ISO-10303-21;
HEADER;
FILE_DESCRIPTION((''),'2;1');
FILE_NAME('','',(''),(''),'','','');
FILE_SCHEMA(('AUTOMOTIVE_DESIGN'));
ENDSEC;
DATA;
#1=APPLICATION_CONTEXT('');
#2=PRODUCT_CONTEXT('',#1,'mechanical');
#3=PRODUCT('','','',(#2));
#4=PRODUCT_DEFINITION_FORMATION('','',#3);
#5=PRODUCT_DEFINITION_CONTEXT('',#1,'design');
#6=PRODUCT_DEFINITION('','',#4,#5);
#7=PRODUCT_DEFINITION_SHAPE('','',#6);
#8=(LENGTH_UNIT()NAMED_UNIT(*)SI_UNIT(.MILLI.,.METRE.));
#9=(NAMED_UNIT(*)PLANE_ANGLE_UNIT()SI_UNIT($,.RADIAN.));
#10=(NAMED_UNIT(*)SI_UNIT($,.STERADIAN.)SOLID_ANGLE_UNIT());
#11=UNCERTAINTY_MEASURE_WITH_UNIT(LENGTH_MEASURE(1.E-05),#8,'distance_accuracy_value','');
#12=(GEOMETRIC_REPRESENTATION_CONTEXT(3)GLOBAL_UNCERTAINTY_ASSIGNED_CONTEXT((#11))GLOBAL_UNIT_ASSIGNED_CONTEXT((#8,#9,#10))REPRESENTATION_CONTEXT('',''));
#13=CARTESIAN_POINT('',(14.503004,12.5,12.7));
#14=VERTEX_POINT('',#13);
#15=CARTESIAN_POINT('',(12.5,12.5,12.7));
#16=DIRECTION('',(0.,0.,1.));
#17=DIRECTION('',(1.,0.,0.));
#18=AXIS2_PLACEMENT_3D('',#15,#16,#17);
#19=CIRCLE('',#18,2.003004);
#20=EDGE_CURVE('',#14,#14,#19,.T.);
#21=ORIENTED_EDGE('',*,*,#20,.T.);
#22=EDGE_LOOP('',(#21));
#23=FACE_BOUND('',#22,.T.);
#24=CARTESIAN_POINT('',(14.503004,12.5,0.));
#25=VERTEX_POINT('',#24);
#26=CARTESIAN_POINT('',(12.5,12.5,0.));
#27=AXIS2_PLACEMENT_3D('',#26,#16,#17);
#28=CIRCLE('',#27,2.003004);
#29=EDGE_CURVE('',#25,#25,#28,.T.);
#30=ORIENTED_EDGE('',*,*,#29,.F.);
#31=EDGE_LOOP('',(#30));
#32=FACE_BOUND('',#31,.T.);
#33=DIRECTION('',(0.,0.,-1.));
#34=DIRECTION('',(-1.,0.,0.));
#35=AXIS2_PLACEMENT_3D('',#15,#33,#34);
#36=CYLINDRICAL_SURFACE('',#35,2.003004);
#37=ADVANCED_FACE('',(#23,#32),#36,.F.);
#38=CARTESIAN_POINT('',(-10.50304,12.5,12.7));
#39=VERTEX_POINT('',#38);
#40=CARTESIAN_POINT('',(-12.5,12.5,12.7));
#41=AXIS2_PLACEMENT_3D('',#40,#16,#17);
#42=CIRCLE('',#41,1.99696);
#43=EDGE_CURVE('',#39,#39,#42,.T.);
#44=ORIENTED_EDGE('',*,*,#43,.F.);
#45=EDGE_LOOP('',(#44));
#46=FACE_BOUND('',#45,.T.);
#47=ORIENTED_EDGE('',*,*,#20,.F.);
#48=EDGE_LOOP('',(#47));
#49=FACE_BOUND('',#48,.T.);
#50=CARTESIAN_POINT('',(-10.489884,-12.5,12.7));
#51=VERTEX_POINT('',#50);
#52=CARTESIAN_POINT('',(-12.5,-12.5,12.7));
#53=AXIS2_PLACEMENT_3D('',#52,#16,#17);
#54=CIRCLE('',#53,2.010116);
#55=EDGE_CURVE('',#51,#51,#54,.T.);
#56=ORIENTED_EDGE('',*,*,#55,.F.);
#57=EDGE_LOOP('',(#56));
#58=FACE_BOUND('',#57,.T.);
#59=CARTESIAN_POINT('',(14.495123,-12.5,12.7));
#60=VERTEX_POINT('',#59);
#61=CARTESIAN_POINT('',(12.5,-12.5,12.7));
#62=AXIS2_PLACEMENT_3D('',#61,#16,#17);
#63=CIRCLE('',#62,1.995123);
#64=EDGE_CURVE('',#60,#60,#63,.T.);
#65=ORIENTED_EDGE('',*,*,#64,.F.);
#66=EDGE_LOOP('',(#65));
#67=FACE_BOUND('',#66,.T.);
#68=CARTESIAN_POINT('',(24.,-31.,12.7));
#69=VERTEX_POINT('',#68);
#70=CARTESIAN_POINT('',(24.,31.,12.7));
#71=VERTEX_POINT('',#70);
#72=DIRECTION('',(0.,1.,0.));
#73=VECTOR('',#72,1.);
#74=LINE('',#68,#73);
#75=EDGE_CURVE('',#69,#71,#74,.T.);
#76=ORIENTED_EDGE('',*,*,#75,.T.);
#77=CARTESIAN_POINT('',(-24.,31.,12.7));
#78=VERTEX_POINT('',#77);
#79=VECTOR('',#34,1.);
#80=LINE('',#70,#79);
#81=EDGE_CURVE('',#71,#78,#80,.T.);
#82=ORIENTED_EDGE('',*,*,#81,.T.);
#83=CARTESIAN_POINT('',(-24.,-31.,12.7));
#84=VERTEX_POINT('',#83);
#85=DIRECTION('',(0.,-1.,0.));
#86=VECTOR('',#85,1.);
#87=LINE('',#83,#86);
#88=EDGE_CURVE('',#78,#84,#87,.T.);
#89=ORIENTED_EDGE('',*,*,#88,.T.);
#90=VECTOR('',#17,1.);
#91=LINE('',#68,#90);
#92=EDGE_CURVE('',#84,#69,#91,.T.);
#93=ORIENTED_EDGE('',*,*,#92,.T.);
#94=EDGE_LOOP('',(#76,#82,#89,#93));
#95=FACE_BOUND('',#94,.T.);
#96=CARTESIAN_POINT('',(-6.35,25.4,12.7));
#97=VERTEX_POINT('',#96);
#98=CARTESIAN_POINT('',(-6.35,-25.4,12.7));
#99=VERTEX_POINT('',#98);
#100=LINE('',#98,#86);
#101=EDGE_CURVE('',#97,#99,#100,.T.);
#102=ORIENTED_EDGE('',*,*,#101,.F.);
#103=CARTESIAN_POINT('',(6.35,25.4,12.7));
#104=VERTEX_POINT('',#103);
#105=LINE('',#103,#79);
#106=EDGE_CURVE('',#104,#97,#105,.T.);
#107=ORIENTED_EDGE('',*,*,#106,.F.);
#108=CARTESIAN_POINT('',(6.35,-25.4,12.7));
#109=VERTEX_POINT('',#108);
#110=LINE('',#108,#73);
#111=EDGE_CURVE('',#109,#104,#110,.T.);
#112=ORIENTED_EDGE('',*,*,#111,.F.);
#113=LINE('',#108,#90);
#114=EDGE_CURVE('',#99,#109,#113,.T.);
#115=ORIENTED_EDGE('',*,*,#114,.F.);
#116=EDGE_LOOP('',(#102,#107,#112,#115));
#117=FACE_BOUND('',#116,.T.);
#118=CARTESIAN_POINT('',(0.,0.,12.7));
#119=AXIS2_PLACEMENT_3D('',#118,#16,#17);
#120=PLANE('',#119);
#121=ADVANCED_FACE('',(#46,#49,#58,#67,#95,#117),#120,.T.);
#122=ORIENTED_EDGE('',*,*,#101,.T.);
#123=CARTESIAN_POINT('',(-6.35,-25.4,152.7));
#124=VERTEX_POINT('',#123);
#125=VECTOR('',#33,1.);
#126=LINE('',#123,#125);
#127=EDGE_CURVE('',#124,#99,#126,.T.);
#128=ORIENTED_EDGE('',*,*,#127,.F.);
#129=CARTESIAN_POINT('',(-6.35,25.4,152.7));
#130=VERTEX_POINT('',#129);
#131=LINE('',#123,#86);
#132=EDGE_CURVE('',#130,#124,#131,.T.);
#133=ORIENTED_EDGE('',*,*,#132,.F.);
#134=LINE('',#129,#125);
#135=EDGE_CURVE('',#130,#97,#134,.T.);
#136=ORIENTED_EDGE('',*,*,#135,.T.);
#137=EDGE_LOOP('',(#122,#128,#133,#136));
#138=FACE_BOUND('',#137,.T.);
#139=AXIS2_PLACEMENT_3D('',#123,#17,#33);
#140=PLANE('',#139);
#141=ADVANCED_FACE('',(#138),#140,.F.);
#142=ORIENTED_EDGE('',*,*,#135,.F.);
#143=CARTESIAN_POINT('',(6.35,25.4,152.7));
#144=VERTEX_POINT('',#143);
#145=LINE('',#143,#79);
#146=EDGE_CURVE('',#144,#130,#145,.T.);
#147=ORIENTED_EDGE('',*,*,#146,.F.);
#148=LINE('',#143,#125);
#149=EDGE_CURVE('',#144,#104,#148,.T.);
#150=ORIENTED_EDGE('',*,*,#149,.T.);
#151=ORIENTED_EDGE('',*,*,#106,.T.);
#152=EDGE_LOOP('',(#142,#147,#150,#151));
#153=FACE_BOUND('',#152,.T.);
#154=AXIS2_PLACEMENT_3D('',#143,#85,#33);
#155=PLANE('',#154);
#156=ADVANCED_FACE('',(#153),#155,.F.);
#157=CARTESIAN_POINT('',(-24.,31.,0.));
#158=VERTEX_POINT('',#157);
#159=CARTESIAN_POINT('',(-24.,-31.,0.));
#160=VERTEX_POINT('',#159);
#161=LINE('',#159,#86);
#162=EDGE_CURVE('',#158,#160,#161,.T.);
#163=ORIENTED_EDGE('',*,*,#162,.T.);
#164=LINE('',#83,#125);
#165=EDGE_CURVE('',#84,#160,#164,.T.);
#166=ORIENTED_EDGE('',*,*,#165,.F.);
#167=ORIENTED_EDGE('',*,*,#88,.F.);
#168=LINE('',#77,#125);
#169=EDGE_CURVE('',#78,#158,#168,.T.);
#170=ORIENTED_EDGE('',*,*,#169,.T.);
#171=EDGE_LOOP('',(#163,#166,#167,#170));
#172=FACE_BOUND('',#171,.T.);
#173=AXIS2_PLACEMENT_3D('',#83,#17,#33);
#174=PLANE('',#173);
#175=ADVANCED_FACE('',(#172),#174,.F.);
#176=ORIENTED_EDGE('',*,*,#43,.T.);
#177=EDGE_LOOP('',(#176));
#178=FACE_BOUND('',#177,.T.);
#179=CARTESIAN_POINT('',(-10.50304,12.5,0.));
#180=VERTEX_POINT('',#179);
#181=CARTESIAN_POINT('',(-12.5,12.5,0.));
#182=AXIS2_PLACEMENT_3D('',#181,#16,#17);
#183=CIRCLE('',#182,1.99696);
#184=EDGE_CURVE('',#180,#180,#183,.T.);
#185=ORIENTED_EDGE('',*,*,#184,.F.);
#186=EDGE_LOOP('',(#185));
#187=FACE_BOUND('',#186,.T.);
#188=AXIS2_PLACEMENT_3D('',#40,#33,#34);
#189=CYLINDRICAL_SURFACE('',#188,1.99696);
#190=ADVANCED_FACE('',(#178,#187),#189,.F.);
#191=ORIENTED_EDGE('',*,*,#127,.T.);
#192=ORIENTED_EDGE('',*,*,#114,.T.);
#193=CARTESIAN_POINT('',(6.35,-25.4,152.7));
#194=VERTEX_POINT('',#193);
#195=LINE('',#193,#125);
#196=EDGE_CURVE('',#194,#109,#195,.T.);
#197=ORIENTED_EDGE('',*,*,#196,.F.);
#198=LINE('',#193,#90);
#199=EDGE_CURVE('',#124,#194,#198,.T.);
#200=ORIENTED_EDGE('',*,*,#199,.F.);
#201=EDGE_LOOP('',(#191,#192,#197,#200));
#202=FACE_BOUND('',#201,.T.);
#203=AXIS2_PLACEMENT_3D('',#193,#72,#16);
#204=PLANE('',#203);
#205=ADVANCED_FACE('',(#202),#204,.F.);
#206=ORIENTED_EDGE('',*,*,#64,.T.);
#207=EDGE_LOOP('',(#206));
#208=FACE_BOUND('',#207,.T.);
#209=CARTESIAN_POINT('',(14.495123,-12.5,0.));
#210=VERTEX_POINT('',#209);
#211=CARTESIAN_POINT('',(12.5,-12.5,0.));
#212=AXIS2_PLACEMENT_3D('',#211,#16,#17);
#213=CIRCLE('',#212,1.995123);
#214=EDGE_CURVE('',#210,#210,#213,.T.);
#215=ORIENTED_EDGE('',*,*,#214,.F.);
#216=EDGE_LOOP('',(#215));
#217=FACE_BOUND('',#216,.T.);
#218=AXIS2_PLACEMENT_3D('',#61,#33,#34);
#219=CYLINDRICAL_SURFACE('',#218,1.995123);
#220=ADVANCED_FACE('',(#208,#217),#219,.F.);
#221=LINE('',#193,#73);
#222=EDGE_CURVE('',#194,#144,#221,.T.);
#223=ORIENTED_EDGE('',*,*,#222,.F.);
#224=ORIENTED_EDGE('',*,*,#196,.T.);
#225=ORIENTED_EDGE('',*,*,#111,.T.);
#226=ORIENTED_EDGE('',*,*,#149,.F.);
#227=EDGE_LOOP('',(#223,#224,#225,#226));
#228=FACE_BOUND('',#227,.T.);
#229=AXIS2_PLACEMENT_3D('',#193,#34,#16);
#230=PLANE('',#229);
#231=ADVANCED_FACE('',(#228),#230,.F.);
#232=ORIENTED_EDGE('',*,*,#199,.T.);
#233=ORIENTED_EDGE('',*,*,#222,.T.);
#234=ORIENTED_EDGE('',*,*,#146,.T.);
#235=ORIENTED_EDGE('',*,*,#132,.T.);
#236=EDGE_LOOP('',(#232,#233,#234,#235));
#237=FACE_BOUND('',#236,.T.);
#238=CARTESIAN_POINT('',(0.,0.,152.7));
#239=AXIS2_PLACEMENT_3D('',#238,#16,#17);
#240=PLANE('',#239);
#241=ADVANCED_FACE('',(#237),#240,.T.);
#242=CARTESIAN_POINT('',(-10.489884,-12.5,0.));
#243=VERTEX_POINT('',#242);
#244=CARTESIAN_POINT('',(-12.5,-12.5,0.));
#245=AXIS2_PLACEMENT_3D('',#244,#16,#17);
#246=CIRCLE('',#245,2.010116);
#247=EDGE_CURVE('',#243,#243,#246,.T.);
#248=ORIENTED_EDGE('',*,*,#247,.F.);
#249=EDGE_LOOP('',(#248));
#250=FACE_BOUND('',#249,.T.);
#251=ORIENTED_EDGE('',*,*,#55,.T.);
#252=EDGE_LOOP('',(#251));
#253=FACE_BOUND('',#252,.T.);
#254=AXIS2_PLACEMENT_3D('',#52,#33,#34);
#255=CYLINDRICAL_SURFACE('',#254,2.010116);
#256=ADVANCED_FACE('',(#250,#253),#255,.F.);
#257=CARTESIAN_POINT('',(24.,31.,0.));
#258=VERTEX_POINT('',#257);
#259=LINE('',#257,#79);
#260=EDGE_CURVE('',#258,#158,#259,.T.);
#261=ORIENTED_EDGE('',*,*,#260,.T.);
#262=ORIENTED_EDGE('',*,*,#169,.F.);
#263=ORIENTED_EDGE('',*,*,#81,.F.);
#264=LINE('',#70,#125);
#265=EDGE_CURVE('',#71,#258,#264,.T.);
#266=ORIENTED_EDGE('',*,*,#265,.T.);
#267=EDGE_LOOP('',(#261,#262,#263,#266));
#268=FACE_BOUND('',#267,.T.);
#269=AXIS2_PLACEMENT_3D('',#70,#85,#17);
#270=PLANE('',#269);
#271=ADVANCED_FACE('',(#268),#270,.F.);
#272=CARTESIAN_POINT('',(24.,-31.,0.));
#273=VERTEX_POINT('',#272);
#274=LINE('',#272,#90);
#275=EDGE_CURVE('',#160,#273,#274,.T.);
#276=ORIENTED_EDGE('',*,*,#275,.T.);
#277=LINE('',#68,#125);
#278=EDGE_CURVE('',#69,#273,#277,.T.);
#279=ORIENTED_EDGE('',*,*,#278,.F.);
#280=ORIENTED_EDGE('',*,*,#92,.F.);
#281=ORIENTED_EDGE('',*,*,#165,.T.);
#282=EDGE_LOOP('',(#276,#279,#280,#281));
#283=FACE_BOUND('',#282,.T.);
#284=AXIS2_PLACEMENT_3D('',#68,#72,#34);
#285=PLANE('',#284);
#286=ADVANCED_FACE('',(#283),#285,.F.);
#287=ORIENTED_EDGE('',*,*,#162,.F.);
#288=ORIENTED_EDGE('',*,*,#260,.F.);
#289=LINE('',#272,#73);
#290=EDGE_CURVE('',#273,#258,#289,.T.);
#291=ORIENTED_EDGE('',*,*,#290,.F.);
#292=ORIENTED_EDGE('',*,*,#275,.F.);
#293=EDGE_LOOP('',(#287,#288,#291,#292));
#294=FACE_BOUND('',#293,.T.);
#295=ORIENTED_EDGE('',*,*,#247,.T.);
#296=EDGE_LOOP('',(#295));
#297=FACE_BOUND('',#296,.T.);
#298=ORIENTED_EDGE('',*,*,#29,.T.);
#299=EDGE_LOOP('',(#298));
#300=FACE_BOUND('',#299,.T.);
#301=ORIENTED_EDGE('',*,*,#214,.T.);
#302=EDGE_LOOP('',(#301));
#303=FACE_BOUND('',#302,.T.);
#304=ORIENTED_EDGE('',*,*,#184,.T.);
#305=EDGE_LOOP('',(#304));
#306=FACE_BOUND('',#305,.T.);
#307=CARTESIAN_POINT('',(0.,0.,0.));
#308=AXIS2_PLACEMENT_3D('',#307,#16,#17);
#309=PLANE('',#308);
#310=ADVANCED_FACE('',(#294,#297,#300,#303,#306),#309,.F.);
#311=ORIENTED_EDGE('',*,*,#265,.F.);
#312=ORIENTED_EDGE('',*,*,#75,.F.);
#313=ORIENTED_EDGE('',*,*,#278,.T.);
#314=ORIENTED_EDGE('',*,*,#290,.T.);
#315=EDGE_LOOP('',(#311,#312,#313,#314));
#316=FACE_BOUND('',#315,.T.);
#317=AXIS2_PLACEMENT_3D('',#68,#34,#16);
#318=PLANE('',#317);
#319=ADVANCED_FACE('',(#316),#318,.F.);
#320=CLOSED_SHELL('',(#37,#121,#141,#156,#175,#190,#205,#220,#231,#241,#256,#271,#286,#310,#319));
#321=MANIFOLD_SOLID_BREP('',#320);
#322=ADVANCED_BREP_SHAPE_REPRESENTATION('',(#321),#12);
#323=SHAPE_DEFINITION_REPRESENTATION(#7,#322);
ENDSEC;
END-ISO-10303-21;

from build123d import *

# Parameters (mm, degrees)
CROQUIS1_W              = 48
CROQUIS1_H              = 62
CROQUIS1_R              = 1.996960485
CROQUIS1_R_2            = 2.003004462
CROQUIS1_R_3            = 2.010116485
CROQUIS1_R_4            = 1.995123233
SALIENTE_EXTRUIR1_DEPTH = 12.7
CROQUIS2_W              = 12.7
CROQUIS2_H              = 50.8
SALIENTE_EXTRUIR2_DEPTH = 140


with BuildPart() as part:
    # Croquis1 → Saliente-Extruir1 (new body)
    with BuildSketch(Plane.XY):
        Rectangle(CROQUIS1_W, CROQUIS1_H)
        with Locations((-12.5, 12.5)):
            Circle(CROQUIS1_R, mode=Mode.SUBTRACT)
        with Locations((12.5, 12.5)):
            Circle(CROQUIS1_R_2, mode=Mode.SUBTRACT)
        with Locations((-12.5, -12.5)):
            Circle(CROQUIS1_R_3, mode=Mode.SUBTRACT)
        with Locations((12.5, -12.5)):
            Circle(CROQUIS1_R_4, mode=Mode.SUBTRACT)
    extrude(amount=SALIENTE_EXTRUIR1_DEPTH)

    # Croquis2 → Saliente-Extruir2 (add)
    with BuildSketch(Plane.XY.offset(12.7)):
        Rectangle(CROQUIS2_W, CROQUIS2_H)
    extrude(amount=SALIENTE_EXTRUIR2_DEPTH)


solid = part.part
